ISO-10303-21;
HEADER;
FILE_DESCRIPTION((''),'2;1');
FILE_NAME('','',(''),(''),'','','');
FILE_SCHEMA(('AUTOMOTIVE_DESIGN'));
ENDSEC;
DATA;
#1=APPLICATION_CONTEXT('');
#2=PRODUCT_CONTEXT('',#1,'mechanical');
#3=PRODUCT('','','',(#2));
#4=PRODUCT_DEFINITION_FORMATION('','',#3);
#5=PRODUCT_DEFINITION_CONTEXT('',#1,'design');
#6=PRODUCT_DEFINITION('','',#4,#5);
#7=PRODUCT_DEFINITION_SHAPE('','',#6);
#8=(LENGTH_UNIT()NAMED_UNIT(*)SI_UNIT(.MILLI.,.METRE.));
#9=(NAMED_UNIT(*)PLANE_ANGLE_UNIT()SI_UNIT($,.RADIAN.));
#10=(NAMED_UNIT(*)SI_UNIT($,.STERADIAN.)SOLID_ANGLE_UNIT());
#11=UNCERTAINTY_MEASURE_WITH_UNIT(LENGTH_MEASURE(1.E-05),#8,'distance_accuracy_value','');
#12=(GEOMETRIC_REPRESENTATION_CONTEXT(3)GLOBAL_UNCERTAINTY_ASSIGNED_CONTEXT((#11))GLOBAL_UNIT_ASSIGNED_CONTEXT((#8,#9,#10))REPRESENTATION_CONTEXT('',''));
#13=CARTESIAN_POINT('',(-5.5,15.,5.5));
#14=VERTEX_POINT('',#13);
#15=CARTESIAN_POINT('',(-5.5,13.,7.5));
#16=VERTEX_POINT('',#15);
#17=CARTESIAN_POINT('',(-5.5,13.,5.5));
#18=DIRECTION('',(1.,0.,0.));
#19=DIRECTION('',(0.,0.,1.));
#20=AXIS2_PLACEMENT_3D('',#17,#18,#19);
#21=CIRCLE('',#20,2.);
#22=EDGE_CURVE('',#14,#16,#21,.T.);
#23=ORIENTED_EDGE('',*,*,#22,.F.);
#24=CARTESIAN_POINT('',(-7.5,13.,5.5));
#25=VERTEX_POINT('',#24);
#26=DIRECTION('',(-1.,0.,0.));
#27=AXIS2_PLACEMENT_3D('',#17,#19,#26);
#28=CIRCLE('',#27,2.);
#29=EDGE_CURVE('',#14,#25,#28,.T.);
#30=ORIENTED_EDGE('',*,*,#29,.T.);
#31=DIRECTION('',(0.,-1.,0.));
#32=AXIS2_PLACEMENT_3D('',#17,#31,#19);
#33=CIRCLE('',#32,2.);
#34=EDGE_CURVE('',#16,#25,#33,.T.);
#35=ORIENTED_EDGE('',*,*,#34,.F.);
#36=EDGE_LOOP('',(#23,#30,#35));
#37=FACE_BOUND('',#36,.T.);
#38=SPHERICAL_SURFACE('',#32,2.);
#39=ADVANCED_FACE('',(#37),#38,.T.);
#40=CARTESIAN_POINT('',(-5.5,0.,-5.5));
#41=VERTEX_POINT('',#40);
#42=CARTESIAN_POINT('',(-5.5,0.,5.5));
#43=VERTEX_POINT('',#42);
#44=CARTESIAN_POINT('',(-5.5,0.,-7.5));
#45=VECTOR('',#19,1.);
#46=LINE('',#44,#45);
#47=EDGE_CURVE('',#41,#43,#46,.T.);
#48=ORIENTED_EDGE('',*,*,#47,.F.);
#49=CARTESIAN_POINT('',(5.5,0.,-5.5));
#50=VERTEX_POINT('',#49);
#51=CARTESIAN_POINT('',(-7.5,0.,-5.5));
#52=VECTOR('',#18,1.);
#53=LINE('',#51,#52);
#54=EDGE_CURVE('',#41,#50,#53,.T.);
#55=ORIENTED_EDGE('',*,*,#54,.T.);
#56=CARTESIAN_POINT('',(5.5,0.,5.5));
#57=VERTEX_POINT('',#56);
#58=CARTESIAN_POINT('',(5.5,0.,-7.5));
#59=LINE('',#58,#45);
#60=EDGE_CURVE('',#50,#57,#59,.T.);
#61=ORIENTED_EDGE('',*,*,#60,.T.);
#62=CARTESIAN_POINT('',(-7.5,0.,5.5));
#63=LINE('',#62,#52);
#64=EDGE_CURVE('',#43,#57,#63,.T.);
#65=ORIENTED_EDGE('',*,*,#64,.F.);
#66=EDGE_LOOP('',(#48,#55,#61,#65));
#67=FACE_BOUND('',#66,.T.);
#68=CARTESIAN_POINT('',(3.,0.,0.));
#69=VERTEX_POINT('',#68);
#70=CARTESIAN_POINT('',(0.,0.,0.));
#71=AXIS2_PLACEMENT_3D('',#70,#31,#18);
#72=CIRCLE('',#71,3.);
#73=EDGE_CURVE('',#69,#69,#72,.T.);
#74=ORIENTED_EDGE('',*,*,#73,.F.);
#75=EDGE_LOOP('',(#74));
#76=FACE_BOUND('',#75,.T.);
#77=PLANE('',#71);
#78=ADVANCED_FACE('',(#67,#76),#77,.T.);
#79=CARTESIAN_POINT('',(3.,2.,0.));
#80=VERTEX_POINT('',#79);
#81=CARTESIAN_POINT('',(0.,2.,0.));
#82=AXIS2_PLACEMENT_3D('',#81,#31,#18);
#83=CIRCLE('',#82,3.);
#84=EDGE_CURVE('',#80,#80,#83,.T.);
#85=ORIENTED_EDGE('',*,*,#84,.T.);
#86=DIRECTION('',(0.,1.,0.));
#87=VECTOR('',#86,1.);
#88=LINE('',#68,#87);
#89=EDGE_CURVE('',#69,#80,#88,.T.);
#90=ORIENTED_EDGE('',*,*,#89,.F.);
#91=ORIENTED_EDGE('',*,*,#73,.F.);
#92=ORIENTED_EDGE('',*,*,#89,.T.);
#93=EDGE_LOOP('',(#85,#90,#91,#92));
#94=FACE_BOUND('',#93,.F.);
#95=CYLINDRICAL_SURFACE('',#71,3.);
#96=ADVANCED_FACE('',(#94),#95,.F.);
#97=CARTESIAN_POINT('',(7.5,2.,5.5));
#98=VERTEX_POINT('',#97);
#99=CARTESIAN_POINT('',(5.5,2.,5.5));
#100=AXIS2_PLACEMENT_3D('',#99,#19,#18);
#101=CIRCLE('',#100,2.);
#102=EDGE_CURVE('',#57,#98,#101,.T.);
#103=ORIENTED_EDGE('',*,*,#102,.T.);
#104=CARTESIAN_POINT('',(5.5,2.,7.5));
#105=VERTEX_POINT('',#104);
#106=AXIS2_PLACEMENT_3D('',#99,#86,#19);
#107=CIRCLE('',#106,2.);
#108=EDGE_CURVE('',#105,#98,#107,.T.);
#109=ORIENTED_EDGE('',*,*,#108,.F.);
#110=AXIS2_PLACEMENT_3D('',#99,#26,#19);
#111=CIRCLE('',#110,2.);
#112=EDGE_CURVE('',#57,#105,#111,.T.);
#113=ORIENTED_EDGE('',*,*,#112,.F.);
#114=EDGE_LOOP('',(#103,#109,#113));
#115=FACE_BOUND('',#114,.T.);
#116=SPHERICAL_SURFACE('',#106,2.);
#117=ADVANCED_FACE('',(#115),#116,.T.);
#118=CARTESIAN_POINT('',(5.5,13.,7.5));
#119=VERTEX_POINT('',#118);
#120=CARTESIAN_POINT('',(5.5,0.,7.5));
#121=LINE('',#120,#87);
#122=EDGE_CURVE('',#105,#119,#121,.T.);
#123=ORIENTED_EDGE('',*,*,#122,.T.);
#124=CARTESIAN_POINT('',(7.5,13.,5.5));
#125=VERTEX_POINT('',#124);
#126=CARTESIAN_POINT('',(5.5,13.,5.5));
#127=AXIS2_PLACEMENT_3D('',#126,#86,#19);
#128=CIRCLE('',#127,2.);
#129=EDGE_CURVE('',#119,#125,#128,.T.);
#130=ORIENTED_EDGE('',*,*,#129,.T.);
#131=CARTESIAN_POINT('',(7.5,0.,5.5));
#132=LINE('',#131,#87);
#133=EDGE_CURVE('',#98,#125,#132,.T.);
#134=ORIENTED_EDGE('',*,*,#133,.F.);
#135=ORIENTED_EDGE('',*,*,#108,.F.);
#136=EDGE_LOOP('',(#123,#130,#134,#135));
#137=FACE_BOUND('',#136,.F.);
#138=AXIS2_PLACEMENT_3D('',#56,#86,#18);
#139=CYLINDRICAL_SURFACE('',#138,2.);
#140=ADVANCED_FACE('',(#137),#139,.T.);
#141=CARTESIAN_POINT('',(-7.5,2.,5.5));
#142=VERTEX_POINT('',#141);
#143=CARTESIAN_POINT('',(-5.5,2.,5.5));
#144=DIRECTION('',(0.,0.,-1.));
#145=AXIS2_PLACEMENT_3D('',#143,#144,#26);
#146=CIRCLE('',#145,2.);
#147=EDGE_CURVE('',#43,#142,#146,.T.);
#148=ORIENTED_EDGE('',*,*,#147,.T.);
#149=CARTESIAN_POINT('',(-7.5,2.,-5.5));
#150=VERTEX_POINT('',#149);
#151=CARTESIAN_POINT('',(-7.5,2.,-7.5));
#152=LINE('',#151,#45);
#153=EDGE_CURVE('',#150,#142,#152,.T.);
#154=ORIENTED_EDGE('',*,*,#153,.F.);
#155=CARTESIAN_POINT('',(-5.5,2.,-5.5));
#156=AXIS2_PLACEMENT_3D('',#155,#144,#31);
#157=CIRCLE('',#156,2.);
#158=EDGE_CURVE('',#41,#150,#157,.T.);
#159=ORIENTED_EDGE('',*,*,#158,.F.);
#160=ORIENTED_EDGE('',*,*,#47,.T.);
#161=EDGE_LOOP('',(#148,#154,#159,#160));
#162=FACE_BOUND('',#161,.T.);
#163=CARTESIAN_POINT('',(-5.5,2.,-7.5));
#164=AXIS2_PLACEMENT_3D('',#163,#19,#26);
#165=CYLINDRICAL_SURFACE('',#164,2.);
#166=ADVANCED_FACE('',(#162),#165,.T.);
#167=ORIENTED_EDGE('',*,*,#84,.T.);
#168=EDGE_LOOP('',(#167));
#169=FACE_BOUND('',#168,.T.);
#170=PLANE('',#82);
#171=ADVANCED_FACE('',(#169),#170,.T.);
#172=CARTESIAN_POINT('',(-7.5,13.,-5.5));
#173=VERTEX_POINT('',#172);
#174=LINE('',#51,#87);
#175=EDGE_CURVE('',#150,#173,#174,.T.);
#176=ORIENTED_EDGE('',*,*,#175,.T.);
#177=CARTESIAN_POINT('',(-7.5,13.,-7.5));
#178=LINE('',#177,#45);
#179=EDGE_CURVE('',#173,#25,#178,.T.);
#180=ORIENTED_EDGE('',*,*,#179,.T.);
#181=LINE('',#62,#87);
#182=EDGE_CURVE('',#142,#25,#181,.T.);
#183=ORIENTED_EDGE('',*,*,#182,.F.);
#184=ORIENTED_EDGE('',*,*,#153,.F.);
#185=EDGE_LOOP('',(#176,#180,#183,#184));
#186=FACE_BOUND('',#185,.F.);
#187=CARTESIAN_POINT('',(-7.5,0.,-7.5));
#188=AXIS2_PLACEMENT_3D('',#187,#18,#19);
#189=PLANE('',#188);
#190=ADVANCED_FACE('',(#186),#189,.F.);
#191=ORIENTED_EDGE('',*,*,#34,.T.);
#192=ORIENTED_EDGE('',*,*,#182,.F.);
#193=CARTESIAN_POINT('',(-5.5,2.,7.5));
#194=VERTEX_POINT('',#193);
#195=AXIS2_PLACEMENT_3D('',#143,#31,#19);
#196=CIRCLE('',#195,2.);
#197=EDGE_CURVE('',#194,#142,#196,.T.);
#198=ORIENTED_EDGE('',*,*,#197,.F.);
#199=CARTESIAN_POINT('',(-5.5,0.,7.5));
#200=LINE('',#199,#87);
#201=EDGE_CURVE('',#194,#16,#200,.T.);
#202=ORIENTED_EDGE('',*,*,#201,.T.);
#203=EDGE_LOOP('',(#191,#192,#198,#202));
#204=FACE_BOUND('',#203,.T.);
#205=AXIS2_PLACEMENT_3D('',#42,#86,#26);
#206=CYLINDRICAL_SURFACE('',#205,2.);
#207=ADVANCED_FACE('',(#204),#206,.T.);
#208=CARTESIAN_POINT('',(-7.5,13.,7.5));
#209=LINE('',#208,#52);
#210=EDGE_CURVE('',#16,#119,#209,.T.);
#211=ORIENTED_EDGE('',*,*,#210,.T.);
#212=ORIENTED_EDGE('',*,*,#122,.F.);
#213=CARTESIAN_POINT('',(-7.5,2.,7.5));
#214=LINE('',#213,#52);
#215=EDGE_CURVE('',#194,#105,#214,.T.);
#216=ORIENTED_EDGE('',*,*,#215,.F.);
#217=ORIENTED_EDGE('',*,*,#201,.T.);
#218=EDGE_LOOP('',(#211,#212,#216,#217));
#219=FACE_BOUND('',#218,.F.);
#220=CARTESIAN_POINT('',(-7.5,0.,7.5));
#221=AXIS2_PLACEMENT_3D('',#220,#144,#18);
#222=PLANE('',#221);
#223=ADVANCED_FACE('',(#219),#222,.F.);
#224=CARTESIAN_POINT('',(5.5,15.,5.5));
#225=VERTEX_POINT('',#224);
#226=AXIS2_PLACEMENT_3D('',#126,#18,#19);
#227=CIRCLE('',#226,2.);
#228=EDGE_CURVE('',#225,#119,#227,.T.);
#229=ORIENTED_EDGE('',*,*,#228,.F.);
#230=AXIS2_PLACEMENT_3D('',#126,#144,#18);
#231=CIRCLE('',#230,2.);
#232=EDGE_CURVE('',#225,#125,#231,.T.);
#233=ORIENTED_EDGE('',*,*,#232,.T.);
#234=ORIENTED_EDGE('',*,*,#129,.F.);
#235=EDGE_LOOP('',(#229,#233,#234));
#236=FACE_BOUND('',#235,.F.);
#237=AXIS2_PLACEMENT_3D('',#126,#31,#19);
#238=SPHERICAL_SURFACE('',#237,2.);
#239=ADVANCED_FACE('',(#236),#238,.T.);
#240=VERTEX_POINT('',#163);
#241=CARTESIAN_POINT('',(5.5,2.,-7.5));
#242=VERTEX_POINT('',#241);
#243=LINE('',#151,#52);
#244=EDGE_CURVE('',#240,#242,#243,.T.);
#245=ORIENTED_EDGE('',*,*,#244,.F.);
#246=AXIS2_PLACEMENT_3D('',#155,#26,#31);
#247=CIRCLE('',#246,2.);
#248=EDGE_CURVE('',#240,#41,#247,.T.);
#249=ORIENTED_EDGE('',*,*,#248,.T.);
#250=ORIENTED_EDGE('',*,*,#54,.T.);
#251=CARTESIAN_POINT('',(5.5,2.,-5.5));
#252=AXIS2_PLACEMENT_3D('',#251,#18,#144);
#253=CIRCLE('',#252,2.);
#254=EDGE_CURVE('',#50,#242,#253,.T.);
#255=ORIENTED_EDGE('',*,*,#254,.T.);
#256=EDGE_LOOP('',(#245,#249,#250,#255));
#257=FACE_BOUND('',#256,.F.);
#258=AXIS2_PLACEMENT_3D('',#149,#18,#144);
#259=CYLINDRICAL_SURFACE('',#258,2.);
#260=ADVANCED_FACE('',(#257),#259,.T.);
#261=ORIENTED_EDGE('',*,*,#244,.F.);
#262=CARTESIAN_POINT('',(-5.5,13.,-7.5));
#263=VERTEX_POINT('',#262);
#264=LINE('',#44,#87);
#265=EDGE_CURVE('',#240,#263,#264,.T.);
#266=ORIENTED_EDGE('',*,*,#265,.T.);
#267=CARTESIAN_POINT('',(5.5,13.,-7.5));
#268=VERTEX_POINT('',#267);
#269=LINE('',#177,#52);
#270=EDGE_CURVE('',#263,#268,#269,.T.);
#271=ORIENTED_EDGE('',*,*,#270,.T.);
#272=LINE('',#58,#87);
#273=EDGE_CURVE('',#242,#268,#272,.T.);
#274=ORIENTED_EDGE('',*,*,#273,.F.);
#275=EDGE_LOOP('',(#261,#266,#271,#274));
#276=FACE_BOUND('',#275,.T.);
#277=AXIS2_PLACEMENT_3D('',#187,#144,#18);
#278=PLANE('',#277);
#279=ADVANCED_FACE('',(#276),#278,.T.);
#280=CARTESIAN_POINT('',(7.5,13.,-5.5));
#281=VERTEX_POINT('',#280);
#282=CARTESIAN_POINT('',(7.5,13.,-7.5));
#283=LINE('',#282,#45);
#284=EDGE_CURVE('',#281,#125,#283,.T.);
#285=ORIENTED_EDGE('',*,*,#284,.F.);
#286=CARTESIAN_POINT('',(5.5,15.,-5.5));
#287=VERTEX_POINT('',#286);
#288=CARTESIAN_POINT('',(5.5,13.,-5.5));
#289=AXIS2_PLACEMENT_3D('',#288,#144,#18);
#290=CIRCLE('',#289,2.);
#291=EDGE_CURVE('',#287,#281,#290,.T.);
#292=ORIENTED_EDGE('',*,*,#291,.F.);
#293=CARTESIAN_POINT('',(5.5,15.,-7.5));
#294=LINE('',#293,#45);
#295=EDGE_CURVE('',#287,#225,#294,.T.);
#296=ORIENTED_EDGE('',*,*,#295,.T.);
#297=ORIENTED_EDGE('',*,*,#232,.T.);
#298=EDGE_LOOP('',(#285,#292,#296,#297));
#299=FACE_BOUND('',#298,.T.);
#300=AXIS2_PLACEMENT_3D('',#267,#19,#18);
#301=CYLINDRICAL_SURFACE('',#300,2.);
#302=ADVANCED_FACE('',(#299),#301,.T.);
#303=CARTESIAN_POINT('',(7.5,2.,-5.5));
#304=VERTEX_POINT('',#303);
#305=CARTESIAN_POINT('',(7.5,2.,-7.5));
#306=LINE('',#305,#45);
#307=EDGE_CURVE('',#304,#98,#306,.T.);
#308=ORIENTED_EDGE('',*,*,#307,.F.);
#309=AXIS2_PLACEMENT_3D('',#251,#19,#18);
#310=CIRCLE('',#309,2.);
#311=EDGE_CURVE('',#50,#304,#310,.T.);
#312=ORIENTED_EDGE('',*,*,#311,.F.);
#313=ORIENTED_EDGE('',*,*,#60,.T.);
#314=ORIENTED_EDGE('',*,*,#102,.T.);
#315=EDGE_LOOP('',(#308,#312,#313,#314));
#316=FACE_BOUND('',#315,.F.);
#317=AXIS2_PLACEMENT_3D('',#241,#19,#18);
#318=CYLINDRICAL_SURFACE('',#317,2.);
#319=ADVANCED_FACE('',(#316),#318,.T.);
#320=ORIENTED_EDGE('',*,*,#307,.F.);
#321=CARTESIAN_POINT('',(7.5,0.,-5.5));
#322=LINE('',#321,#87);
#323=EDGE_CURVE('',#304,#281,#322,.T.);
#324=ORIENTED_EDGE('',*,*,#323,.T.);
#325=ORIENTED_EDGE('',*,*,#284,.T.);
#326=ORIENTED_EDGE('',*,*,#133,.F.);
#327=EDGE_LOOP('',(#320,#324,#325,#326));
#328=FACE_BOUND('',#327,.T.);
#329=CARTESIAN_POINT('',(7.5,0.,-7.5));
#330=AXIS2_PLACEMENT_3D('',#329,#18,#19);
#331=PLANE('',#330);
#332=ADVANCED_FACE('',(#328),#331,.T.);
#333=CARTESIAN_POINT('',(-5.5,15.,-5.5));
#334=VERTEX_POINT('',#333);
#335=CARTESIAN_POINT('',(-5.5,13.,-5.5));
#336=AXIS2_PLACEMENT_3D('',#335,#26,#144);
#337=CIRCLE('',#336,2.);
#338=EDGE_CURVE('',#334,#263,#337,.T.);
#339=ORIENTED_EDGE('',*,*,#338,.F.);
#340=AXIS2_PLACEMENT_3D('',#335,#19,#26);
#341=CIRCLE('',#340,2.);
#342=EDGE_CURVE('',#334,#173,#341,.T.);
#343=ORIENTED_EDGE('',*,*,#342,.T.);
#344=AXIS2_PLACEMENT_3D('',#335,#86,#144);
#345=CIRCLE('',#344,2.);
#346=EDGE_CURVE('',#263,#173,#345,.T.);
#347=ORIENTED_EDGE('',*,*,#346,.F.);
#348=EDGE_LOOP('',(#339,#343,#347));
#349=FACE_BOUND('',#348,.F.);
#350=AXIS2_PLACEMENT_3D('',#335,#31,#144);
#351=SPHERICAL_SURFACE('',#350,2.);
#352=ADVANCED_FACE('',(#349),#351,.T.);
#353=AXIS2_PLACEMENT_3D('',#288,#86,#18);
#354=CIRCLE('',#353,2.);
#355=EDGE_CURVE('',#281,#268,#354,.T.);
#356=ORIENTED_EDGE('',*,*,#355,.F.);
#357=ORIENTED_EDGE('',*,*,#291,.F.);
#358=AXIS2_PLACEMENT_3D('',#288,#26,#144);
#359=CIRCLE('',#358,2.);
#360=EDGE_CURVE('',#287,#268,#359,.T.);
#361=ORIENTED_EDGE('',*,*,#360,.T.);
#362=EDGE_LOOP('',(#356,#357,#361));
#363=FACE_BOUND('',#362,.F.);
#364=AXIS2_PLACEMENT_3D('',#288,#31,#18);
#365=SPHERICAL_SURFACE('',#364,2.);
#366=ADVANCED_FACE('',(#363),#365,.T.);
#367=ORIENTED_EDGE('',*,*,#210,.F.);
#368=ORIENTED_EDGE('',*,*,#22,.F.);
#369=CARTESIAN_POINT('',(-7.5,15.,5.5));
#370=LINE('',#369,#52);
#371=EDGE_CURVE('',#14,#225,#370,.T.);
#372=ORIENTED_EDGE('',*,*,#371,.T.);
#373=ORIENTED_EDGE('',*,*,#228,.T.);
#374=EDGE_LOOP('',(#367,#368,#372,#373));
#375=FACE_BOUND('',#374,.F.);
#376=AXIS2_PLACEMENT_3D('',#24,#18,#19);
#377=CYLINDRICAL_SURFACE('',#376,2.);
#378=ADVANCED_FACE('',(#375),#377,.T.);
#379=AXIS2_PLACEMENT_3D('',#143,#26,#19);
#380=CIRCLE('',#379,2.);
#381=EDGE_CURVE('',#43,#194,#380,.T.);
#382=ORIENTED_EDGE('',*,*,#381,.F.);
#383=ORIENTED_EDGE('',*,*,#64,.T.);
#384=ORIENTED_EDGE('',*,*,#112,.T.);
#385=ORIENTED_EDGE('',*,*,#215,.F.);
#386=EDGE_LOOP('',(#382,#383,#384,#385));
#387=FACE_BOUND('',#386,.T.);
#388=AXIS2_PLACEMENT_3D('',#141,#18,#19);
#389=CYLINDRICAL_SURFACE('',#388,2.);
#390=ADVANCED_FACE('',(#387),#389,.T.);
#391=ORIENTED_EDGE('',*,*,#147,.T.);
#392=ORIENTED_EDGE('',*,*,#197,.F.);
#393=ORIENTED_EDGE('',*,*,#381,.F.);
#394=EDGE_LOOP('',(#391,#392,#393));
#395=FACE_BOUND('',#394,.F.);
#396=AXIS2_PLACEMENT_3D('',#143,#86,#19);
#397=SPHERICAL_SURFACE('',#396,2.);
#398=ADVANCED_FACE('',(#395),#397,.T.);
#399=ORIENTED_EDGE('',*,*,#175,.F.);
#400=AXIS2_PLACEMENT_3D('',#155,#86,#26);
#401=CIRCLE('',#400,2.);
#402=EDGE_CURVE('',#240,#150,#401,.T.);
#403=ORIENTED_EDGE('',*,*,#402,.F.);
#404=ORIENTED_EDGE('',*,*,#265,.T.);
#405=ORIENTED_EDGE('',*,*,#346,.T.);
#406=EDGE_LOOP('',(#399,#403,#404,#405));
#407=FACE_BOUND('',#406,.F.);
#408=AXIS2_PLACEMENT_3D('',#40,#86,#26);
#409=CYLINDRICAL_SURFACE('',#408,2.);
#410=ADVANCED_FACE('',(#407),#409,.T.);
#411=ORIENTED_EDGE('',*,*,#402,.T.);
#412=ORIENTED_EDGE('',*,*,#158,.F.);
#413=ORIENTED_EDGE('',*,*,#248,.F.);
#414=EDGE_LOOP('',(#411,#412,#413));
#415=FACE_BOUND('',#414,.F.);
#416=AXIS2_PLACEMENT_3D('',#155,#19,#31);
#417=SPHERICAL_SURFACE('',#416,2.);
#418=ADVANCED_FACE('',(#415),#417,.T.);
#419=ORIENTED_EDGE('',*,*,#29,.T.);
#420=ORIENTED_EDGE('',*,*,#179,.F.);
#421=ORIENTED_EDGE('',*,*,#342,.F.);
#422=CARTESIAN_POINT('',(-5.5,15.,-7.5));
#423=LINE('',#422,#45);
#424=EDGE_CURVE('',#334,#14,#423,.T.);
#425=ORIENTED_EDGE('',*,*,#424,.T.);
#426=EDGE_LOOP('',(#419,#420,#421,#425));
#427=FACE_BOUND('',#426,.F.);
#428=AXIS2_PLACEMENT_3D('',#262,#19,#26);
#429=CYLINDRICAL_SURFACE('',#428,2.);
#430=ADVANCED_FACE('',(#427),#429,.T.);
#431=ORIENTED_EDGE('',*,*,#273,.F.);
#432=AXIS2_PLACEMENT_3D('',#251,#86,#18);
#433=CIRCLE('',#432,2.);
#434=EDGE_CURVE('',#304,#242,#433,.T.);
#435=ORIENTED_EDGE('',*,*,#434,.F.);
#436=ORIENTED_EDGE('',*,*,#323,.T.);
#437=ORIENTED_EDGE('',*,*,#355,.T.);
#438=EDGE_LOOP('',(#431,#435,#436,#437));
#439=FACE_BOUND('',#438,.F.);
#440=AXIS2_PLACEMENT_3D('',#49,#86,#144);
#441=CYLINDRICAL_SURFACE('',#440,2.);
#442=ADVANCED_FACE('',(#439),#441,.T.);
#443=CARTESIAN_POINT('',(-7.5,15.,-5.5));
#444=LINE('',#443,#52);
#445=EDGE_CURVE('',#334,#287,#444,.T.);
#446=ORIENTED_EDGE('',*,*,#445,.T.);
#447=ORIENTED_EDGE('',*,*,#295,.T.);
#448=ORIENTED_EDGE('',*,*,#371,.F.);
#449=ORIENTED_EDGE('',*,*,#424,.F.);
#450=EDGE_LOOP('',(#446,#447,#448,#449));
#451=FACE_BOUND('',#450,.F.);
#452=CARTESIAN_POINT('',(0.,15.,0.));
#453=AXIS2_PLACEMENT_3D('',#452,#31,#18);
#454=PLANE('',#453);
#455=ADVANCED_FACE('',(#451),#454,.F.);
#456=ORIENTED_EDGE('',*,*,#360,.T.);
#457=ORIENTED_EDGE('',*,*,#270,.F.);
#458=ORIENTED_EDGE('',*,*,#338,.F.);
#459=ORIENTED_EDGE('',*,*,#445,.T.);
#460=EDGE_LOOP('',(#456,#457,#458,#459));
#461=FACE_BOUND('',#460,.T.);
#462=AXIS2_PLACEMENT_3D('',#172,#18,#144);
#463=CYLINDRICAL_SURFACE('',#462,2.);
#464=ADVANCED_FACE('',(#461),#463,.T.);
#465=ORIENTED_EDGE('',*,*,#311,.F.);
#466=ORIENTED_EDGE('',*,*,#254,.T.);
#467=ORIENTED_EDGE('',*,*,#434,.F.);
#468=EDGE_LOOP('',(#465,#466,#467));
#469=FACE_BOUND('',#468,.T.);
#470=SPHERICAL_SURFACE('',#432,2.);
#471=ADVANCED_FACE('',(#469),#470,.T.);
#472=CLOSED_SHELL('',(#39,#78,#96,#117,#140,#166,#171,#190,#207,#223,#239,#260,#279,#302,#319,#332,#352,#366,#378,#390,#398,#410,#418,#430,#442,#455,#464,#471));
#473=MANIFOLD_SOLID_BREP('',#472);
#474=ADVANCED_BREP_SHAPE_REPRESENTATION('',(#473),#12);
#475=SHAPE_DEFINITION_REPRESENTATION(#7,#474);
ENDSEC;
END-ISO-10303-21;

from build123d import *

# Parameters (mm, degrees)
F0_W     = 15
F0_H     = 15
F1_DEPTH = 15
F2_R     = 2
F3_R     = 3
F4_DEPTH = 2


with BuildPart() as f1:
    # F0 (on Front) → F1 (new body)
    with BuildSketch(Plane.XZ):
        Rectangle(F0_W, F0_H)
    extrude(amount=-F1_DEPTH)

    # F2
    f2_edges = [f1.edges().sort_by_distance(p)[0] for p in [
        (7.5, 7.5, 7.5),
        (-7.5, 7.5, 7.5),
        (0, 0, 7.5),
        (0, 15, 7.5),
        (7.5, 7.5, -7.5),
        (7.5, 0, 0),
        (7.5, 15, 0),
        (-7.5, 0, 0),
        (0, 0, -7.5),
        (-7.5, 7.5, -7.5),
        (0, 15, -7.5),
        (-7.5, 15, 0),
    ]]
    fillet(f2_edges, radius=F2_R)

    # F3 (on face) → F4 (cut)
    with BuildSketch(Plane.XZ):
        Circle(F3_R)
    extrude(amount=-F4_DEPTH, mode=Mode.SUBTRACT)


solid = f1.part
